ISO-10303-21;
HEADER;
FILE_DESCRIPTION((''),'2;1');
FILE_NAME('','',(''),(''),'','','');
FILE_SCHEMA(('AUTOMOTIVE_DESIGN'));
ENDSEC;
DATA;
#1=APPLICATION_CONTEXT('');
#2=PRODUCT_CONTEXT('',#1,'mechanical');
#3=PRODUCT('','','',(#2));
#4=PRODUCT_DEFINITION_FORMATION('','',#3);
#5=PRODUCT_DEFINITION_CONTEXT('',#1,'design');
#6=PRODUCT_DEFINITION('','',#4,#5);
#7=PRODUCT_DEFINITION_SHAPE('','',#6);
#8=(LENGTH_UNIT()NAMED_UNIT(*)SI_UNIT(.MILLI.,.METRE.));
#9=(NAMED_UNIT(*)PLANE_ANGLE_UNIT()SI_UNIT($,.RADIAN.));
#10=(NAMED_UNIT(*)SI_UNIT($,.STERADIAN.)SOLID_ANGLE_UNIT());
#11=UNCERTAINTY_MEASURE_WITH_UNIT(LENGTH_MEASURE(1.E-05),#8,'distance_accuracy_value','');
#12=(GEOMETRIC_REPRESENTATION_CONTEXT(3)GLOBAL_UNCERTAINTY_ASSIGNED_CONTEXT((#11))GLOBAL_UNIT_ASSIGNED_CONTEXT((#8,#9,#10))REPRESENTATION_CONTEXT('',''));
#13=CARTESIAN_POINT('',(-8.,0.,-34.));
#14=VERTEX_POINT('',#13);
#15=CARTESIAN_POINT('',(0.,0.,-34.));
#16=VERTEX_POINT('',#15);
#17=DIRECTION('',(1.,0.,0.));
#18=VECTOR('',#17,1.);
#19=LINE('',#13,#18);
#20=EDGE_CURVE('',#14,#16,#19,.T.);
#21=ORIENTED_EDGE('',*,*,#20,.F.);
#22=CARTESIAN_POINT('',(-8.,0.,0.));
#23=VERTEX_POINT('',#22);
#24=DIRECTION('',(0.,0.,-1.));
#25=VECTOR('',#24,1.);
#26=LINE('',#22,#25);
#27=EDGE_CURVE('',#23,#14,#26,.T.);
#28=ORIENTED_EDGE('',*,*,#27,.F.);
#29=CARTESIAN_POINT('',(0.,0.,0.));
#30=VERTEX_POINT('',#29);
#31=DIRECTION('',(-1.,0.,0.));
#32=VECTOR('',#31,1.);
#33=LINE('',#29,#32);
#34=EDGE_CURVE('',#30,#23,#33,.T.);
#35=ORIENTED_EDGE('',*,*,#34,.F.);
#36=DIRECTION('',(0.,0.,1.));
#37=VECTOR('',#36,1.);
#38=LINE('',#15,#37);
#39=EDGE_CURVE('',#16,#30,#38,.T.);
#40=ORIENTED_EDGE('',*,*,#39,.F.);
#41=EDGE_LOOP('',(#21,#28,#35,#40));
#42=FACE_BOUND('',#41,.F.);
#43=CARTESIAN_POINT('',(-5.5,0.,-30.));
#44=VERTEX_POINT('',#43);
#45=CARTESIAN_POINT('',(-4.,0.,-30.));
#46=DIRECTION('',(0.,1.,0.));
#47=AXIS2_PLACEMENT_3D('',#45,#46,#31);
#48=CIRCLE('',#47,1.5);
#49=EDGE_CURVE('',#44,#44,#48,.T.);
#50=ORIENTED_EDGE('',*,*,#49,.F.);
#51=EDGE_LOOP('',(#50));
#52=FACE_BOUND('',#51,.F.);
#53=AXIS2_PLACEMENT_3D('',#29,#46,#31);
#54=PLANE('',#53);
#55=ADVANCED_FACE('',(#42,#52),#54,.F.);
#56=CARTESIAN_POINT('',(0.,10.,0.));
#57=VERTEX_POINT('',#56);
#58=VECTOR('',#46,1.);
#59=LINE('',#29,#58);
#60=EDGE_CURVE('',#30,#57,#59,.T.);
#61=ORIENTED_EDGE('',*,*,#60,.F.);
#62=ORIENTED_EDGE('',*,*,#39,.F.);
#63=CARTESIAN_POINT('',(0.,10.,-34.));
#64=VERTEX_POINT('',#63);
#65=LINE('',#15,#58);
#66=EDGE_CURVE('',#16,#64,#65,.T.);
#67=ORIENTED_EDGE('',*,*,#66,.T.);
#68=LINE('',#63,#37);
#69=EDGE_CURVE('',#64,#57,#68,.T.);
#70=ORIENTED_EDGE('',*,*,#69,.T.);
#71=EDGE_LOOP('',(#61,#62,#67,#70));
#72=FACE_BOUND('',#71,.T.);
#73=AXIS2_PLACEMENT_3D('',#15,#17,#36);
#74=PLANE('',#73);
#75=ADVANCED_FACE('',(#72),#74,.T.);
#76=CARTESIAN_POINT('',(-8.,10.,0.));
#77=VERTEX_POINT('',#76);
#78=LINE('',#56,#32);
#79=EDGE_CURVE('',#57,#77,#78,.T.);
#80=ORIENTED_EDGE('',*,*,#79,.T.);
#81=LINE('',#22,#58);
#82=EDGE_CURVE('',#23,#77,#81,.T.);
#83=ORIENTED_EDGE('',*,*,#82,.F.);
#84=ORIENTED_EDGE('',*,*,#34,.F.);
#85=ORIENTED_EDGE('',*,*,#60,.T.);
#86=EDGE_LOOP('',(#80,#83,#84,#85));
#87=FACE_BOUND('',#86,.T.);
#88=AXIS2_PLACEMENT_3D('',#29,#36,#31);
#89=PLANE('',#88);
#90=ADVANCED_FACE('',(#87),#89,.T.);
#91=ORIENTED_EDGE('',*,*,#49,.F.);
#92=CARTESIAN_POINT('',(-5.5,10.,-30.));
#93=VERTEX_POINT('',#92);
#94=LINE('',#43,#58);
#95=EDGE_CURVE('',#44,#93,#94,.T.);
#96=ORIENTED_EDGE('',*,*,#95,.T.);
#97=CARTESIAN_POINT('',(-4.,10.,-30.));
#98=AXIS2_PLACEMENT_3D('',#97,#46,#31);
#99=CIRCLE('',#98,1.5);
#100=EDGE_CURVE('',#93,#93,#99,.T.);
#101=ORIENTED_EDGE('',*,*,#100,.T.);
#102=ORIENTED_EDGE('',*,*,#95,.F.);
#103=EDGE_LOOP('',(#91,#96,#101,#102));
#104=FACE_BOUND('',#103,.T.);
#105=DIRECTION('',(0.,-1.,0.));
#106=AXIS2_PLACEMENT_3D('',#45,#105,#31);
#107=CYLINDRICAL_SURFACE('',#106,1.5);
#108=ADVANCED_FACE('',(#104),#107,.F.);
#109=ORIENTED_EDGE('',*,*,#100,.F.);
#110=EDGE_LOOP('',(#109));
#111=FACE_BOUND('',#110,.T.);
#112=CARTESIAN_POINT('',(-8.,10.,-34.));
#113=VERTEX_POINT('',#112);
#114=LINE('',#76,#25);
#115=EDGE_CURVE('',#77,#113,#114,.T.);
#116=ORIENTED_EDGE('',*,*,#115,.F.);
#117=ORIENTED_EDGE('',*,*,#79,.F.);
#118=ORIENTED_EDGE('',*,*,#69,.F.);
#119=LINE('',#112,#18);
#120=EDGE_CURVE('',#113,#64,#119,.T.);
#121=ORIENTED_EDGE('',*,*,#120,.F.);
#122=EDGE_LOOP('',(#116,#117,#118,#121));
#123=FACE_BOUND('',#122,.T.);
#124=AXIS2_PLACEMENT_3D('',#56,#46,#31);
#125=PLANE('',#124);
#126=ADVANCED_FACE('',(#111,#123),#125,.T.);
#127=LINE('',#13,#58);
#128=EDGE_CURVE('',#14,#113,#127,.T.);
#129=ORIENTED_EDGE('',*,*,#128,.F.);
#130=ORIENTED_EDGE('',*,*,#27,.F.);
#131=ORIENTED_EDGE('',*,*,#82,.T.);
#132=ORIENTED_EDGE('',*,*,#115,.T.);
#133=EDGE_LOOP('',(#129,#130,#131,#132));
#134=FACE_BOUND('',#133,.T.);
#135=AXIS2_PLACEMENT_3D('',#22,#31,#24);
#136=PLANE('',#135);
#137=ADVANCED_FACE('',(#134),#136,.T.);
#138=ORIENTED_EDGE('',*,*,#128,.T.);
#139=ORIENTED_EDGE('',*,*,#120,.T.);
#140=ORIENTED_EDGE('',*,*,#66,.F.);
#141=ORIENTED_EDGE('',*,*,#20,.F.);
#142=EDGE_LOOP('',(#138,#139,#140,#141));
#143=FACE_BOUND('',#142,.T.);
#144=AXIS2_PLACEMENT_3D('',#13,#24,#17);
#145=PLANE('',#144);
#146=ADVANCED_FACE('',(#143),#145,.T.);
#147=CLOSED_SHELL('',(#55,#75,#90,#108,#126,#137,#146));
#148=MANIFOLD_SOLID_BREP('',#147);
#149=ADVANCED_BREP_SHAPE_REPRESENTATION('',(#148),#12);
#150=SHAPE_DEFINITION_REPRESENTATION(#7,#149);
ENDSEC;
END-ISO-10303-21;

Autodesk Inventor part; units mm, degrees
ref_plane "YZ Plane" through (0, 0, 0) normal (1, 0, 0) x (0, 1, 0)
ref_plane "XZ Plane" through (0, 0, 0) normal (0, 1, 0) x (-1, 0, 0)
ref_plane "XY Plane" through (0, 0, 0) normal (0, 0, 1) x (1, 0, 0)
sketch "Sketch1" plane through (0, 0, 0) normal (0, 1, 0) x (-1, 0, 0)
  line L0 (0, 0) -> (8, 0)
  line L1 (8, 0) -> (8, -34)
  line L2 (8, -34) -> (0, -34)
  line L3 (0, -34) -> (0, 0)
  circle A0 centre (4, -30) radius 1.5
  dimension "d0" = 3
  dimension "d1" = 4
  dimension "d2" = 30
  dimension "d3" = 4
  dimension "d4" = 4
extrude "Extrusion1" add sketch "Sketch1" along normal blind 10
properties part number "Attachment_hinge"
